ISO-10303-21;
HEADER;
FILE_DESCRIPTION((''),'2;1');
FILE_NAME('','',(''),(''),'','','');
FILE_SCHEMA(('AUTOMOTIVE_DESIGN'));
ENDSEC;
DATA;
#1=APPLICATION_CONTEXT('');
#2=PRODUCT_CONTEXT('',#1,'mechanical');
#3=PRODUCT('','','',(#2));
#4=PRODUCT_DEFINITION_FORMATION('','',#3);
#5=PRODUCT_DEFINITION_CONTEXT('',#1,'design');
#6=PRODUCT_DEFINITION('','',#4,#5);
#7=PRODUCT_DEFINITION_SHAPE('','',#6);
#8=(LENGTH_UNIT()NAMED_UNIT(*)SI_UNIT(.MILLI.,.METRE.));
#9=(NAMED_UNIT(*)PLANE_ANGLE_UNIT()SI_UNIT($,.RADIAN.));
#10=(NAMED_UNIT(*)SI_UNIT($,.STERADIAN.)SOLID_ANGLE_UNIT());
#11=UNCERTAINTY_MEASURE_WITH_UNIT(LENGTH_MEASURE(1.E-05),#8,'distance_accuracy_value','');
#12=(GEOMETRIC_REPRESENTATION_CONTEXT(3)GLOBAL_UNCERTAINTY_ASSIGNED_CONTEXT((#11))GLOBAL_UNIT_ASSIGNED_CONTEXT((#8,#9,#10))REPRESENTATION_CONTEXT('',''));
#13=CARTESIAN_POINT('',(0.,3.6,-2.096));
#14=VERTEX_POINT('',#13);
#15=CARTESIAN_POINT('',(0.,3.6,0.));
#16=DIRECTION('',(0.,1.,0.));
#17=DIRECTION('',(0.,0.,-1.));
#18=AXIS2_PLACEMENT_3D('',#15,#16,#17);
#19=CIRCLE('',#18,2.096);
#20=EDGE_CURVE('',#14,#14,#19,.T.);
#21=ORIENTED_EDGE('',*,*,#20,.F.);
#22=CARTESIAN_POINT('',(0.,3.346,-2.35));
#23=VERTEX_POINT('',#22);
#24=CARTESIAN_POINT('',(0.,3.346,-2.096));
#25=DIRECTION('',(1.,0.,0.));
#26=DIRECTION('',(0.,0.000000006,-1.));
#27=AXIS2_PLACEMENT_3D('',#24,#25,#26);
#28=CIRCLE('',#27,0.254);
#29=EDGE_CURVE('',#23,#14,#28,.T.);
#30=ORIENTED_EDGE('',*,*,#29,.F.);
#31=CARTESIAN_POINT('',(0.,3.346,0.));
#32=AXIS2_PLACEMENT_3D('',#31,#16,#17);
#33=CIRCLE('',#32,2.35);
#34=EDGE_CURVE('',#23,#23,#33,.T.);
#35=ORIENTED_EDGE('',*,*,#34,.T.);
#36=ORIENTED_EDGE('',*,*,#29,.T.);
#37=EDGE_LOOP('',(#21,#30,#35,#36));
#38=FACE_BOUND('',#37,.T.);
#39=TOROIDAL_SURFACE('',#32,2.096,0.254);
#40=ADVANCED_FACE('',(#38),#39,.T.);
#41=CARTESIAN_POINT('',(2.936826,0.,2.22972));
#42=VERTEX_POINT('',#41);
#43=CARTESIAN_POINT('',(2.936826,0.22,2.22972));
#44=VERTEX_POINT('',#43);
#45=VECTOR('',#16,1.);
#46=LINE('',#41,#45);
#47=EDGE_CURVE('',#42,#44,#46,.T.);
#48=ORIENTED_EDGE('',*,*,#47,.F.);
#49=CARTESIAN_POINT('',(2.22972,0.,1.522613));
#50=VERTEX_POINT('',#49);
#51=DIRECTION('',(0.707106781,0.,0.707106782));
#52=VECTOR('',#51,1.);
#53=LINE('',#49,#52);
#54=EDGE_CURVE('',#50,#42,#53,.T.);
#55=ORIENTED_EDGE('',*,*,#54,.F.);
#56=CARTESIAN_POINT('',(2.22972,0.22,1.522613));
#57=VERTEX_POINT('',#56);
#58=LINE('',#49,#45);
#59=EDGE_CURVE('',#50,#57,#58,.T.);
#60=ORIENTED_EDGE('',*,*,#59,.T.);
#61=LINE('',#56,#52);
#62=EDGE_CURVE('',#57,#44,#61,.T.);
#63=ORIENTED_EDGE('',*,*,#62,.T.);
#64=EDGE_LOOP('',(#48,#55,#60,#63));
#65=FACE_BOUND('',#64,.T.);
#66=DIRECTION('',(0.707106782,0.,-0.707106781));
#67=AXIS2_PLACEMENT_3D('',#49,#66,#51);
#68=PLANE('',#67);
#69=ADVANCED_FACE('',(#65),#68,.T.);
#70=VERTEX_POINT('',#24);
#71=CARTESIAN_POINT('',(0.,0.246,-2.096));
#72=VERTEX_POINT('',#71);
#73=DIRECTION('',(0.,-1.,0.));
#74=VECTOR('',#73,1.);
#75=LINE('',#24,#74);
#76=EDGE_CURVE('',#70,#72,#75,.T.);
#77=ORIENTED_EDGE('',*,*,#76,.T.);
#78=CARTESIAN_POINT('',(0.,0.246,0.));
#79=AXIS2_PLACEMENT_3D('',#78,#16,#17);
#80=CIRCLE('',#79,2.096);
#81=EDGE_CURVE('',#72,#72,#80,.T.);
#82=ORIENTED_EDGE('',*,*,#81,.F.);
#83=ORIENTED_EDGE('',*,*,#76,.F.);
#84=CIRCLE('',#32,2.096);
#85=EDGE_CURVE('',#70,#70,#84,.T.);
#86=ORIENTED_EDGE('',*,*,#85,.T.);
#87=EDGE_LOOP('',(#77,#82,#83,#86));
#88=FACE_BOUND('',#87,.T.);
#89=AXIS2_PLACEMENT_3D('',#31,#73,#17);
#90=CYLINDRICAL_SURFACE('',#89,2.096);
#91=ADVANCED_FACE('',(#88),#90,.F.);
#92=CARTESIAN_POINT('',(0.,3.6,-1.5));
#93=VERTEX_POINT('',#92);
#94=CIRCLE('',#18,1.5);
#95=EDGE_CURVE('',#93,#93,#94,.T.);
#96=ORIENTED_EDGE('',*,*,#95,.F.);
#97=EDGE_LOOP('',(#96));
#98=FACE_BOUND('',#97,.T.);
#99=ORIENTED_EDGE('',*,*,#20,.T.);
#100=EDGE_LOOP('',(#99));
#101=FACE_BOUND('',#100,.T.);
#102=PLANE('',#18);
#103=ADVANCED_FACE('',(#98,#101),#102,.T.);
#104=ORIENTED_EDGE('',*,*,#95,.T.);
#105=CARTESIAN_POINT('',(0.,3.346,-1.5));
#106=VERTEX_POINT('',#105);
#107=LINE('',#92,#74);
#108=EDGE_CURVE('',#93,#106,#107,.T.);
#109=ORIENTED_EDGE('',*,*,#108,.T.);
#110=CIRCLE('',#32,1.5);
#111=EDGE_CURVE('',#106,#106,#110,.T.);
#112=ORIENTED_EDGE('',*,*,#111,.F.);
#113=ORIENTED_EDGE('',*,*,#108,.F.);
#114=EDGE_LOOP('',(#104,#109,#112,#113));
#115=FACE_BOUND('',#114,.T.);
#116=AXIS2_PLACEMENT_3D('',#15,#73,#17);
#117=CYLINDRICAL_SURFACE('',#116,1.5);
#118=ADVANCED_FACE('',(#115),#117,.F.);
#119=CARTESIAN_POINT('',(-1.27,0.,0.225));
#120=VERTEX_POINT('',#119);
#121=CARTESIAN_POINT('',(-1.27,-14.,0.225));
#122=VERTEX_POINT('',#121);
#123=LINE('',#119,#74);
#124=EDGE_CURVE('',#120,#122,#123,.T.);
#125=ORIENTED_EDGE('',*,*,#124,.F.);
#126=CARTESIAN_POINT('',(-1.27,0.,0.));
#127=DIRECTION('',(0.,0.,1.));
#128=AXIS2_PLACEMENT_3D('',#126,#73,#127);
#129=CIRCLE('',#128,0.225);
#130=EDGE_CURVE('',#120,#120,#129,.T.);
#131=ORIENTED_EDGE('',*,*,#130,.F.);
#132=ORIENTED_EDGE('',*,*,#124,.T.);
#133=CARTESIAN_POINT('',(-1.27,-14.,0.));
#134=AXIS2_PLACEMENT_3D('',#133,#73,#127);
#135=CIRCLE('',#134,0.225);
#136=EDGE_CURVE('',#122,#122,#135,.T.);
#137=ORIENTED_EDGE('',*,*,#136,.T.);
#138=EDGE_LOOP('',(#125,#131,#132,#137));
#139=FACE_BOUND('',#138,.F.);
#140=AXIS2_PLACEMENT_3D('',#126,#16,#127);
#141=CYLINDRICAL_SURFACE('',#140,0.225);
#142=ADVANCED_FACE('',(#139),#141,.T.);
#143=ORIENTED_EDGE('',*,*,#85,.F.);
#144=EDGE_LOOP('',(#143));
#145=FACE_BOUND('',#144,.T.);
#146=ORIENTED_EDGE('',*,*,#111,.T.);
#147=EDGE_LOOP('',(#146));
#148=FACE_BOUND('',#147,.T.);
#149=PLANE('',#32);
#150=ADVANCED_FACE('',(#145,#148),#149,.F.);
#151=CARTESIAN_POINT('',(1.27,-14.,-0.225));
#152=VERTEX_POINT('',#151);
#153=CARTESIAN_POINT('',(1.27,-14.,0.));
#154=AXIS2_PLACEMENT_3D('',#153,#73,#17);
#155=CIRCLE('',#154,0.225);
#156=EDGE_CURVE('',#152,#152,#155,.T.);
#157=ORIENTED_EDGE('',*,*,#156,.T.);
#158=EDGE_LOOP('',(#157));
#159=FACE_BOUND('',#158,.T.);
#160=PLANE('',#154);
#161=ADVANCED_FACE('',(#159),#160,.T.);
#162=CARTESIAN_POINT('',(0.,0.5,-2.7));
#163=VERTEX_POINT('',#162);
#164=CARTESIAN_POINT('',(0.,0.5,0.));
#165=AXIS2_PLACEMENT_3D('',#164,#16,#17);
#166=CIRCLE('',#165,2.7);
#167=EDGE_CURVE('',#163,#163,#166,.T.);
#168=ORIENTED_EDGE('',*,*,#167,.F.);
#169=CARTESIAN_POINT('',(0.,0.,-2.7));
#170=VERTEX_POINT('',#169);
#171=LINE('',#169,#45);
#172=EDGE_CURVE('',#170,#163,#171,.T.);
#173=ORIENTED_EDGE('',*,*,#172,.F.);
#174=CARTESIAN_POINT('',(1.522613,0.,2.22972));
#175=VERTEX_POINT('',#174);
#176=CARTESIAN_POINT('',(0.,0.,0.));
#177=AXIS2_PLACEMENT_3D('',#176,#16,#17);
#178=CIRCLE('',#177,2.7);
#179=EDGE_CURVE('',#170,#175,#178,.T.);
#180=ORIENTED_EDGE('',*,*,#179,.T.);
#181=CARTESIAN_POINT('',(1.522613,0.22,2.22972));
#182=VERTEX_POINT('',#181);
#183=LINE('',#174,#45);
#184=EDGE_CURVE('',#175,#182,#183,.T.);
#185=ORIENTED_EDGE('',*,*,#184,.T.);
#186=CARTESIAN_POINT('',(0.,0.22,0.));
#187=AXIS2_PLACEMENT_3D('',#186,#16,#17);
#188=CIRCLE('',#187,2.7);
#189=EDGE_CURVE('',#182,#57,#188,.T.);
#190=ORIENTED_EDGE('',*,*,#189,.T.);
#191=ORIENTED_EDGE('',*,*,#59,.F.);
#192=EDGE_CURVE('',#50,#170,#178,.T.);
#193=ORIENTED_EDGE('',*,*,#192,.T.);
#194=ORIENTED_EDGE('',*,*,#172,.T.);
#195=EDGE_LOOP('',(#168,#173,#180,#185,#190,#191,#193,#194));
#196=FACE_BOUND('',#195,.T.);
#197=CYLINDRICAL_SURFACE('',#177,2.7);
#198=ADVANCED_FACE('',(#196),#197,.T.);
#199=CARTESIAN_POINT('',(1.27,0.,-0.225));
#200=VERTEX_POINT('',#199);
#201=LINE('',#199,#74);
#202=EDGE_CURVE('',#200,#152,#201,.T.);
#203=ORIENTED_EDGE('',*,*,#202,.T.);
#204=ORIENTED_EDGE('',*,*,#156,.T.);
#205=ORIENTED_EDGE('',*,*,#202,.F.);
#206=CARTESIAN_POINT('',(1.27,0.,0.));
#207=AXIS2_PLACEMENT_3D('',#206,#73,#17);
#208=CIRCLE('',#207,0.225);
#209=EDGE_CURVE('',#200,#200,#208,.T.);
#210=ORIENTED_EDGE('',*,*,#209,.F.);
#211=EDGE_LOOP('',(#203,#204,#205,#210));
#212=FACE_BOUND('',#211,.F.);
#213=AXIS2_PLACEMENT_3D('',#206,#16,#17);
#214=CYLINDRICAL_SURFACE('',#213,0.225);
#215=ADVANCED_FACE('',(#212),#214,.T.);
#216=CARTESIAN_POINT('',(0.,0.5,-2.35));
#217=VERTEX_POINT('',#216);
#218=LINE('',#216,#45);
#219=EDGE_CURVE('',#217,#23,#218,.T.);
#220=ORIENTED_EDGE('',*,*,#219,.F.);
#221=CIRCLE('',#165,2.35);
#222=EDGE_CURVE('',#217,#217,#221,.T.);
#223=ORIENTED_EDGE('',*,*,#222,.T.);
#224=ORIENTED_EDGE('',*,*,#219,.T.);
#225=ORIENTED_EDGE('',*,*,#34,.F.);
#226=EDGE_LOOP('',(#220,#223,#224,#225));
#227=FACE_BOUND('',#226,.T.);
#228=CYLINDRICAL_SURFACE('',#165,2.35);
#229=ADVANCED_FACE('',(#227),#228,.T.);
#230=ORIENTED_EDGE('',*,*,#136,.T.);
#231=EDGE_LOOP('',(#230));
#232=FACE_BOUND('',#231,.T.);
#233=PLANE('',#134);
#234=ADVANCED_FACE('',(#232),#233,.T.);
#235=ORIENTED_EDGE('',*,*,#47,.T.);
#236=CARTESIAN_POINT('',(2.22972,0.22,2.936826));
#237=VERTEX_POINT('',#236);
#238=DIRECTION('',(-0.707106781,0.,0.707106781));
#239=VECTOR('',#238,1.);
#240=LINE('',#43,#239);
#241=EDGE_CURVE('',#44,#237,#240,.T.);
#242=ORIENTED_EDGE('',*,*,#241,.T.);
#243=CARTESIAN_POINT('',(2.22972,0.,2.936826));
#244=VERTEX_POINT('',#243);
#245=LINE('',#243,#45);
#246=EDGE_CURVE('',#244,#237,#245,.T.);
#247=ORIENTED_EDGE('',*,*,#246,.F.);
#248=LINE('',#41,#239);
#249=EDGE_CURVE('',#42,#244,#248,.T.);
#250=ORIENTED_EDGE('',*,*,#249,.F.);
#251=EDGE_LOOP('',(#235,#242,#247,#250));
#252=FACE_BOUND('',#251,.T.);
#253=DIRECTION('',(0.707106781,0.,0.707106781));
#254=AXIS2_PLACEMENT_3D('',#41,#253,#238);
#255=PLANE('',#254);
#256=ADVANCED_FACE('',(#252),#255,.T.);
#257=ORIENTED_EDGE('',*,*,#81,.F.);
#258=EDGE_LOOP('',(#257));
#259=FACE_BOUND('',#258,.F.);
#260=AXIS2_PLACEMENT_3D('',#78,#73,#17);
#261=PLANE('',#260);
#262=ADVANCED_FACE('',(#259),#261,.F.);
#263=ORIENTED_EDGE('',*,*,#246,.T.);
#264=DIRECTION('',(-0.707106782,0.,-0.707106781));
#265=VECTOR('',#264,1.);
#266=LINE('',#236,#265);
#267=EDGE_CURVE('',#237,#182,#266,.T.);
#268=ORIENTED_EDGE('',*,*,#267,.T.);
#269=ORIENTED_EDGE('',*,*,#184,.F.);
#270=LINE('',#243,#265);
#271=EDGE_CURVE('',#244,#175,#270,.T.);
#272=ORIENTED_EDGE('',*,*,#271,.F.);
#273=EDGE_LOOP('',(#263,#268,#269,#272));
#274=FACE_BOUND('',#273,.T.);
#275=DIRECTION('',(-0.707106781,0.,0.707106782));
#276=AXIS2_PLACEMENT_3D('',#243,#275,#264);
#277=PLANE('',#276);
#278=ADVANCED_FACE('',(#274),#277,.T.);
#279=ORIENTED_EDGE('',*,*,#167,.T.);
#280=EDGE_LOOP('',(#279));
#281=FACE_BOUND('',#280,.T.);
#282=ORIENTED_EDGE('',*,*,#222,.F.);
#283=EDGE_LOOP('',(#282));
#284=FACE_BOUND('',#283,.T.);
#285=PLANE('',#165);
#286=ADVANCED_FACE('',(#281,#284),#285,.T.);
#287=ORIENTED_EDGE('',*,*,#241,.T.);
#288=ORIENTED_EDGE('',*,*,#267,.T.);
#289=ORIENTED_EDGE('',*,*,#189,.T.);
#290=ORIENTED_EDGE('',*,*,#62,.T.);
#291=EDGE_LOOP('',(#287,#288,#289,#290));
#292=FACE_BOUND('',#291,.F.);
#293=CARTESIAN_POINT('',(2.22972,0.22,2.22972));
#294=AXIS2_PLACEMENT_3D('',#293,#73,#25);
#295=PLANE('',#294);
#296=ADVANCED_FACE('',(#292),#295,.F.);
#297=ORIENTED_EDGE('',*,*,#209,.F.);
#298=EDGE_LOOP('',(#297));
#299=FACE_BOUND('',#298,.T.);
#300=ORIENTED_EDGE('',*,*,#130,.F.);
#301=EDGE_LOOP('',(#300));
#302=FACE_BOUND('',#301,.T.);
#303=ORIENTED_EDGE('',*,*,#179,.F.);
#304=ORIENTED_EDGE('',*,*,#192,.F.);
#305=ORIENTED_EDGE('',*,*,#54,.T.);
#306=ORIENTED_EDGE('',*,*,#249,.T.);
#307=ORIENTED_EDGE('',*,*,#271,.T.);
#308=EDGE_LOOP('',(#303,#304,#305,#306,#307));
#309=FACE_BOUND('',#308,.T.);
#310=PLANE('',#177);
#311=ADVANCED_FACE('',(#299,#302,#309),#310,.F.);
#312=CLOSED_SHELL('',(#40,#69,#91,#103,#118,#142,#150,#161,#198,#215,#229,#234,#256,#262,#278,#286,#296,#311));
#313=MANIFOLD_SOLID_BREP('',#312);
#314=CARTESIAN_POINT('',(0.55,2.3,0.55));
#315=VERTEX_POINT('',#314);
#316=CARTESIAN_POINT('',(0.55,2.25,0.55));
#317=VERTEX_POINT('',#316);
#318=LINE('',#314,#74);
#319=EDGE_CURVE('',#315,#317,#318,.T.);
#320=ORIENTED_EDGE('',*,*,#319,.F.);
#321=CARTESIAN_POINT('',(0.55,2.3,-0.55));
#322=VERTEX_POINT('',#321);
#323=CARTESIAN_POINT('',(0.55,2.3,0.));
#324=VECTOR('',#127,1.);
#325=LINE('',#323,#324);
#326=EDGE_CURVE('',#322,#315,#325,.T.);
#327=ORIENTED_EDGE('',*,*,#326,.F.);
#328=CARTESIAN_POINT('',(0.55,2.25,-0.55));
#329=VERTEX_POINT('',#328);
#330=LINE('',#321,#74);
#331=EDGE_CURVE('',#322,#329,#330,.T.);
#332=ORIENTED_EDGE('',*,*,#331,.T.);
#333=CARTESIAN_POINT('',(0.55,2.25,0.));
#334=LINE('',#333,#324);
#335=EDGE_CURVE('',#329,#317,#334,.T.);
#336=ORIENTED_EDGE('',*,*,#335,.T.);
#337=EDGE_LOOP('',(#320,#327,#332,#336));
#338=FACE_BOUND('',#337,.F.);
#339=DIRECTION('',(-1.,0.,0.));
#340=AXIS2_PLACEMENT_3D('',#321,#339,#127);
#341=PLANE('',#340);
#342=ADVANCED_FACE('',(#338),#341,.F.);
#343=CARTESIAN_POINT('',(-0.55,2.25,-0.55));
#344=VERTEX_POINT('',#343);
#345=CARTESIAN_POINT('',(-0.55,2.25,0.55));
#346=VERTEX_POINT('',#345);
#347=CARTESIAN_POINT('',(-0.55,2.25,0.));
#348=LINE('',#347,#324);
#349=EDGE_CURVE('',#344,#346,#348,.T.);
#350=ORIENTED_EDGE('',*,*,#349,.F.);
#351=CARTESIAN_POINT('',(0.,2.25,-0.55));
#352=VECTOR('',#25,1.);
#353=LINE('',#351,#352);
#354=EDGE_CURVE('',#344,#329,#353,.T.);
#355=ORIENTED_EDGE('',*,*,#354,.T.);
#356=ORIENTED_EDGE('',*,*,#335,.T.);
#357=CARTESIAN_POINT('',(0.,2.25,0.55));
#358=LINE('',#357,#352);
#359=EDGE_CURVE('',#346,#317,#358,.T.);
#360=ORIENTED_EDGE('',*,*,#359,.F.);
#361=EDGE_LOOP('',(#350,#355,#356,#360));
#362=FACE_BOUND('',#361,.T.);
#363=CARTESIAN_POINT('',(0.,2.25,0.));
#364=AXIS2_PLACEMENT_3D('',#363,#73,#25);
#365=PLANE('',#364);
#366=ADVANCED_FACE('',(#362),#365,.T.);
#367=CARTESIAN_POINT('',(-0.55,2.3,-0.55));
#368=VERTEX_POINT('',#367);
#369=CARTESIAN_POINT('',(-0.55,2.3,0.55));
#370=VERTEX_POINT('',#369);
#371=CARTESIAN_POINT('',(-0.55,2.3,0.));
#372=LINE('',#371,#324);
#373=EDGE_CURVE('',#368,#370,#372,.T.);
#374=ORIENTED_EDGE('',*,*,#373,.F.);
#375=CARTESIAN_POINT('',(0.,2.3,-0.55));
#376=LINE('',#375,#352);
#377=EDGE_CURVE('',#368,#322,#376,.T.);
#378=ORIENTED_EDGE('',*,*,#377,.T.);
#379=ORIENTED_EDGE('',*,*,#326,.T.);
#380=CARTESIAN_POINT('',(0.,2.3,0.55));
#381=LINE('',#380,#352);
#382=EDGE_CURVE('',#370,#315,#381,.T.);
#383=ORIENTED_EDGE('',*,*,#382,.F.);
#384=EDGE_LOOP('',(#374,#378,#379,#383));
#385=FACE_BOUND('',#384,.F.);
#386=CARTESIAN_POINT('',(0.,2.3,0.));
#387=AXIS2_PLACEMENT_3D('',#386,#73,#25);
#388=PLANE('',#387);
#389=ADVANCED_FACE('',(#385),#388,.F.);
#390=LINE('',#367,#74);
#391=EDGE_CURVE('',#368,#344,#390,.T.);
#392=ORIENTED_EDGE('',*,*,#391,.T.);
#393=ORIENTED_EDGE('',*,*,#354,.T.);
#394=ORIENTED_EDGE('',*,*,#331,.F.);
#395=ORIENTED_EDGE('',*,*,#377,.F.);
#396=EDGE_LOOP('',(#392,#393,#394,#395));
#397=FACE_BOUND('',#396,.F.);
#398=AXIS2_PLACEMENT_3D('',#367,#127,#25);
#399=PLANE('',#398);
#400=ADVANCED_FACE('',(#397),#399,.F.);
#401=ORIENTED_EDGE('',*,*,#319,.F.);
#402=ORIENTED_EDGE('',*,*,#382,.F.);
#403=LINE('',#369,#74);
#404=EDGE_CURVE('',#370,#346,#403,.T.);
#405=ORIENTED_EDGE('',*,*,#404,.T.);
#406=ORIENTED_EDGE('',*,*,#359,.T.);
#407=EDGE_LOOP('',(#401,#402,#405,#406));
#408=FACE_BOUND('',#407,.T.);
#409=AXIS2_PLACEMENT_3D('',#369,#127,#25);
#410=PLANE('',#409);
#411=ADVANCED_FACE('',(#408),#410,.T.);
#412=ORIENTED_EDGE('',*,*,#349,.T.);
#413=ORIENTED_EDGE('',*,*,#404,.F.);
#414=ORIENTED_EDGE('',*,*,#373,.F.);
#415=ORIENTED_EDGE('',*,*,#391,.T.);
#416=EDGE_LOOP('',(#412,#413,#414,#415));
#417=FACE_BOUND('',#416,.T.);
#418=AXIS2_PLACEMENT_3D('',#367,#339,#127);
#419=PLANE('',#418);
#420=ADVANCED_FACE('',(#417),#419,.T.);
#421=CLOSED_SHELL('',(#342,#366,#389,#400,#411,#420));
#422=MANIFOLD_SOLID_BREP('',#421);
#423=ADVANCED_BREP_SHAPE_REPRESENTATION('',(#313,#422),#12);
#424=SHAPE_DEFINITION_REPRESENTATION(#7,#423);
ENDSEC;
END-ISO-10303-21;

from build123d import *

# Parameters (mm, degrees)
SKETCH2_R           = 2.7
BOSS_EXTRUDE1_DEPTH = 0.246
BOSS_EXTRUDE2_START = -2.3
SKETCH3_W           = 1.1
SKETCH3_H           = 1.1
BOSS_EXTRUDE2_DEPTH = 0.05
BOSS_EXTRUDE7_DEPTH = 0.22
SKETCH5_R           = 0.225
BOSS_EXTRUDE8_DEPTH = 14


with BuildPart() as part:
    # Sketch1 → Revolve-Thin2 (revolve)
    with BuildSketch(Plane.XY, mode=Mode.PRIVATE) as revolve_thin2_sk:
        with BuildLine():
            Line((2.7, 0), (2.7, 0.5))
            Line((2.7, 0.5), (2.35, 0.5))
            Line((2.35, 0.5), (2.35, 3.346))
            ThreePointArc((2.35, 3.346), (2.275605122, 3.525605122), (2.096, 3.6))
            Line((2.096, 3.6), (1.5, 3.6))
            Line((1.5, 3.6), (1.5, 3.346))
            Line((1.5, 3.346), (2.096, 3.346))
            Line((2.096, 3.346), (2.096, 0.246))
            Line((2.096, 0.246), (2.446, 0.246))
            Line((2.446, 0.246), (2.446, 0))
            Line((2.446, 0), (2.7, 0))
        make_face()
    revolve(revolve_thin2_sk.sketch.rotate(Axis((0, 0, 0), (0, 1, 0)), 90), axis=Axis((0, 0, 0), (0, 1, 0)))  # turned: the seam where the file's is

    # Sketch2 → Boss-Extrude1 (add)
    with BuildSketch(Plane.XZ):
        with Locations(Location((0, 0, 0), (0, 0, 270))):  # turned: the seam where the file's is
            Circle(SKETCH2_R)
    extrude(amount=-BOSS_EXTRUDE1_DEPTH)

    # Sketch10 → Boss-Extrude7 (add)
    with BuildSketch(Plane.XZ):
        Polygon((1.522612913, 2.229719695), (2.229719695, 1.522612913), (2.936826476, 2.229719695), (2.229719695, 2.936826476), align=None)
    extrude(amount=-BOSS_EXTRUDE7_DEPTH)

    # Sketch5 → Boss-Extrude8 (add)
    with BuildSketch(Plane.XZ):
        with Locations(Location((1.27, 0, 0), (0, 0, 270))):  # turned: the seam where the file's is
            Circle(SKETCH5_R)
        with Locations(Location((-1.27, 0, 0), (0, 0, 90))):  # turned: the seam where the file's is
            Circle(SKETCH5_R)
    extrude(amount=BOSS_EXTRUDE8_DEPTH)


with BuildPart() as body_2:
    # Sketch3 → Boss-Extrude2 (new body)
    with BuildSketch(Plane.XZ.offset(BOSS_EXTRUDE2_START)):
        Rectangle(SKETCH3_W, SKETCH3_H)
    extrude(amount=BOSS_EXTRUDE2_DEPTH)


solid = Compound([part.part, body_2.part])
